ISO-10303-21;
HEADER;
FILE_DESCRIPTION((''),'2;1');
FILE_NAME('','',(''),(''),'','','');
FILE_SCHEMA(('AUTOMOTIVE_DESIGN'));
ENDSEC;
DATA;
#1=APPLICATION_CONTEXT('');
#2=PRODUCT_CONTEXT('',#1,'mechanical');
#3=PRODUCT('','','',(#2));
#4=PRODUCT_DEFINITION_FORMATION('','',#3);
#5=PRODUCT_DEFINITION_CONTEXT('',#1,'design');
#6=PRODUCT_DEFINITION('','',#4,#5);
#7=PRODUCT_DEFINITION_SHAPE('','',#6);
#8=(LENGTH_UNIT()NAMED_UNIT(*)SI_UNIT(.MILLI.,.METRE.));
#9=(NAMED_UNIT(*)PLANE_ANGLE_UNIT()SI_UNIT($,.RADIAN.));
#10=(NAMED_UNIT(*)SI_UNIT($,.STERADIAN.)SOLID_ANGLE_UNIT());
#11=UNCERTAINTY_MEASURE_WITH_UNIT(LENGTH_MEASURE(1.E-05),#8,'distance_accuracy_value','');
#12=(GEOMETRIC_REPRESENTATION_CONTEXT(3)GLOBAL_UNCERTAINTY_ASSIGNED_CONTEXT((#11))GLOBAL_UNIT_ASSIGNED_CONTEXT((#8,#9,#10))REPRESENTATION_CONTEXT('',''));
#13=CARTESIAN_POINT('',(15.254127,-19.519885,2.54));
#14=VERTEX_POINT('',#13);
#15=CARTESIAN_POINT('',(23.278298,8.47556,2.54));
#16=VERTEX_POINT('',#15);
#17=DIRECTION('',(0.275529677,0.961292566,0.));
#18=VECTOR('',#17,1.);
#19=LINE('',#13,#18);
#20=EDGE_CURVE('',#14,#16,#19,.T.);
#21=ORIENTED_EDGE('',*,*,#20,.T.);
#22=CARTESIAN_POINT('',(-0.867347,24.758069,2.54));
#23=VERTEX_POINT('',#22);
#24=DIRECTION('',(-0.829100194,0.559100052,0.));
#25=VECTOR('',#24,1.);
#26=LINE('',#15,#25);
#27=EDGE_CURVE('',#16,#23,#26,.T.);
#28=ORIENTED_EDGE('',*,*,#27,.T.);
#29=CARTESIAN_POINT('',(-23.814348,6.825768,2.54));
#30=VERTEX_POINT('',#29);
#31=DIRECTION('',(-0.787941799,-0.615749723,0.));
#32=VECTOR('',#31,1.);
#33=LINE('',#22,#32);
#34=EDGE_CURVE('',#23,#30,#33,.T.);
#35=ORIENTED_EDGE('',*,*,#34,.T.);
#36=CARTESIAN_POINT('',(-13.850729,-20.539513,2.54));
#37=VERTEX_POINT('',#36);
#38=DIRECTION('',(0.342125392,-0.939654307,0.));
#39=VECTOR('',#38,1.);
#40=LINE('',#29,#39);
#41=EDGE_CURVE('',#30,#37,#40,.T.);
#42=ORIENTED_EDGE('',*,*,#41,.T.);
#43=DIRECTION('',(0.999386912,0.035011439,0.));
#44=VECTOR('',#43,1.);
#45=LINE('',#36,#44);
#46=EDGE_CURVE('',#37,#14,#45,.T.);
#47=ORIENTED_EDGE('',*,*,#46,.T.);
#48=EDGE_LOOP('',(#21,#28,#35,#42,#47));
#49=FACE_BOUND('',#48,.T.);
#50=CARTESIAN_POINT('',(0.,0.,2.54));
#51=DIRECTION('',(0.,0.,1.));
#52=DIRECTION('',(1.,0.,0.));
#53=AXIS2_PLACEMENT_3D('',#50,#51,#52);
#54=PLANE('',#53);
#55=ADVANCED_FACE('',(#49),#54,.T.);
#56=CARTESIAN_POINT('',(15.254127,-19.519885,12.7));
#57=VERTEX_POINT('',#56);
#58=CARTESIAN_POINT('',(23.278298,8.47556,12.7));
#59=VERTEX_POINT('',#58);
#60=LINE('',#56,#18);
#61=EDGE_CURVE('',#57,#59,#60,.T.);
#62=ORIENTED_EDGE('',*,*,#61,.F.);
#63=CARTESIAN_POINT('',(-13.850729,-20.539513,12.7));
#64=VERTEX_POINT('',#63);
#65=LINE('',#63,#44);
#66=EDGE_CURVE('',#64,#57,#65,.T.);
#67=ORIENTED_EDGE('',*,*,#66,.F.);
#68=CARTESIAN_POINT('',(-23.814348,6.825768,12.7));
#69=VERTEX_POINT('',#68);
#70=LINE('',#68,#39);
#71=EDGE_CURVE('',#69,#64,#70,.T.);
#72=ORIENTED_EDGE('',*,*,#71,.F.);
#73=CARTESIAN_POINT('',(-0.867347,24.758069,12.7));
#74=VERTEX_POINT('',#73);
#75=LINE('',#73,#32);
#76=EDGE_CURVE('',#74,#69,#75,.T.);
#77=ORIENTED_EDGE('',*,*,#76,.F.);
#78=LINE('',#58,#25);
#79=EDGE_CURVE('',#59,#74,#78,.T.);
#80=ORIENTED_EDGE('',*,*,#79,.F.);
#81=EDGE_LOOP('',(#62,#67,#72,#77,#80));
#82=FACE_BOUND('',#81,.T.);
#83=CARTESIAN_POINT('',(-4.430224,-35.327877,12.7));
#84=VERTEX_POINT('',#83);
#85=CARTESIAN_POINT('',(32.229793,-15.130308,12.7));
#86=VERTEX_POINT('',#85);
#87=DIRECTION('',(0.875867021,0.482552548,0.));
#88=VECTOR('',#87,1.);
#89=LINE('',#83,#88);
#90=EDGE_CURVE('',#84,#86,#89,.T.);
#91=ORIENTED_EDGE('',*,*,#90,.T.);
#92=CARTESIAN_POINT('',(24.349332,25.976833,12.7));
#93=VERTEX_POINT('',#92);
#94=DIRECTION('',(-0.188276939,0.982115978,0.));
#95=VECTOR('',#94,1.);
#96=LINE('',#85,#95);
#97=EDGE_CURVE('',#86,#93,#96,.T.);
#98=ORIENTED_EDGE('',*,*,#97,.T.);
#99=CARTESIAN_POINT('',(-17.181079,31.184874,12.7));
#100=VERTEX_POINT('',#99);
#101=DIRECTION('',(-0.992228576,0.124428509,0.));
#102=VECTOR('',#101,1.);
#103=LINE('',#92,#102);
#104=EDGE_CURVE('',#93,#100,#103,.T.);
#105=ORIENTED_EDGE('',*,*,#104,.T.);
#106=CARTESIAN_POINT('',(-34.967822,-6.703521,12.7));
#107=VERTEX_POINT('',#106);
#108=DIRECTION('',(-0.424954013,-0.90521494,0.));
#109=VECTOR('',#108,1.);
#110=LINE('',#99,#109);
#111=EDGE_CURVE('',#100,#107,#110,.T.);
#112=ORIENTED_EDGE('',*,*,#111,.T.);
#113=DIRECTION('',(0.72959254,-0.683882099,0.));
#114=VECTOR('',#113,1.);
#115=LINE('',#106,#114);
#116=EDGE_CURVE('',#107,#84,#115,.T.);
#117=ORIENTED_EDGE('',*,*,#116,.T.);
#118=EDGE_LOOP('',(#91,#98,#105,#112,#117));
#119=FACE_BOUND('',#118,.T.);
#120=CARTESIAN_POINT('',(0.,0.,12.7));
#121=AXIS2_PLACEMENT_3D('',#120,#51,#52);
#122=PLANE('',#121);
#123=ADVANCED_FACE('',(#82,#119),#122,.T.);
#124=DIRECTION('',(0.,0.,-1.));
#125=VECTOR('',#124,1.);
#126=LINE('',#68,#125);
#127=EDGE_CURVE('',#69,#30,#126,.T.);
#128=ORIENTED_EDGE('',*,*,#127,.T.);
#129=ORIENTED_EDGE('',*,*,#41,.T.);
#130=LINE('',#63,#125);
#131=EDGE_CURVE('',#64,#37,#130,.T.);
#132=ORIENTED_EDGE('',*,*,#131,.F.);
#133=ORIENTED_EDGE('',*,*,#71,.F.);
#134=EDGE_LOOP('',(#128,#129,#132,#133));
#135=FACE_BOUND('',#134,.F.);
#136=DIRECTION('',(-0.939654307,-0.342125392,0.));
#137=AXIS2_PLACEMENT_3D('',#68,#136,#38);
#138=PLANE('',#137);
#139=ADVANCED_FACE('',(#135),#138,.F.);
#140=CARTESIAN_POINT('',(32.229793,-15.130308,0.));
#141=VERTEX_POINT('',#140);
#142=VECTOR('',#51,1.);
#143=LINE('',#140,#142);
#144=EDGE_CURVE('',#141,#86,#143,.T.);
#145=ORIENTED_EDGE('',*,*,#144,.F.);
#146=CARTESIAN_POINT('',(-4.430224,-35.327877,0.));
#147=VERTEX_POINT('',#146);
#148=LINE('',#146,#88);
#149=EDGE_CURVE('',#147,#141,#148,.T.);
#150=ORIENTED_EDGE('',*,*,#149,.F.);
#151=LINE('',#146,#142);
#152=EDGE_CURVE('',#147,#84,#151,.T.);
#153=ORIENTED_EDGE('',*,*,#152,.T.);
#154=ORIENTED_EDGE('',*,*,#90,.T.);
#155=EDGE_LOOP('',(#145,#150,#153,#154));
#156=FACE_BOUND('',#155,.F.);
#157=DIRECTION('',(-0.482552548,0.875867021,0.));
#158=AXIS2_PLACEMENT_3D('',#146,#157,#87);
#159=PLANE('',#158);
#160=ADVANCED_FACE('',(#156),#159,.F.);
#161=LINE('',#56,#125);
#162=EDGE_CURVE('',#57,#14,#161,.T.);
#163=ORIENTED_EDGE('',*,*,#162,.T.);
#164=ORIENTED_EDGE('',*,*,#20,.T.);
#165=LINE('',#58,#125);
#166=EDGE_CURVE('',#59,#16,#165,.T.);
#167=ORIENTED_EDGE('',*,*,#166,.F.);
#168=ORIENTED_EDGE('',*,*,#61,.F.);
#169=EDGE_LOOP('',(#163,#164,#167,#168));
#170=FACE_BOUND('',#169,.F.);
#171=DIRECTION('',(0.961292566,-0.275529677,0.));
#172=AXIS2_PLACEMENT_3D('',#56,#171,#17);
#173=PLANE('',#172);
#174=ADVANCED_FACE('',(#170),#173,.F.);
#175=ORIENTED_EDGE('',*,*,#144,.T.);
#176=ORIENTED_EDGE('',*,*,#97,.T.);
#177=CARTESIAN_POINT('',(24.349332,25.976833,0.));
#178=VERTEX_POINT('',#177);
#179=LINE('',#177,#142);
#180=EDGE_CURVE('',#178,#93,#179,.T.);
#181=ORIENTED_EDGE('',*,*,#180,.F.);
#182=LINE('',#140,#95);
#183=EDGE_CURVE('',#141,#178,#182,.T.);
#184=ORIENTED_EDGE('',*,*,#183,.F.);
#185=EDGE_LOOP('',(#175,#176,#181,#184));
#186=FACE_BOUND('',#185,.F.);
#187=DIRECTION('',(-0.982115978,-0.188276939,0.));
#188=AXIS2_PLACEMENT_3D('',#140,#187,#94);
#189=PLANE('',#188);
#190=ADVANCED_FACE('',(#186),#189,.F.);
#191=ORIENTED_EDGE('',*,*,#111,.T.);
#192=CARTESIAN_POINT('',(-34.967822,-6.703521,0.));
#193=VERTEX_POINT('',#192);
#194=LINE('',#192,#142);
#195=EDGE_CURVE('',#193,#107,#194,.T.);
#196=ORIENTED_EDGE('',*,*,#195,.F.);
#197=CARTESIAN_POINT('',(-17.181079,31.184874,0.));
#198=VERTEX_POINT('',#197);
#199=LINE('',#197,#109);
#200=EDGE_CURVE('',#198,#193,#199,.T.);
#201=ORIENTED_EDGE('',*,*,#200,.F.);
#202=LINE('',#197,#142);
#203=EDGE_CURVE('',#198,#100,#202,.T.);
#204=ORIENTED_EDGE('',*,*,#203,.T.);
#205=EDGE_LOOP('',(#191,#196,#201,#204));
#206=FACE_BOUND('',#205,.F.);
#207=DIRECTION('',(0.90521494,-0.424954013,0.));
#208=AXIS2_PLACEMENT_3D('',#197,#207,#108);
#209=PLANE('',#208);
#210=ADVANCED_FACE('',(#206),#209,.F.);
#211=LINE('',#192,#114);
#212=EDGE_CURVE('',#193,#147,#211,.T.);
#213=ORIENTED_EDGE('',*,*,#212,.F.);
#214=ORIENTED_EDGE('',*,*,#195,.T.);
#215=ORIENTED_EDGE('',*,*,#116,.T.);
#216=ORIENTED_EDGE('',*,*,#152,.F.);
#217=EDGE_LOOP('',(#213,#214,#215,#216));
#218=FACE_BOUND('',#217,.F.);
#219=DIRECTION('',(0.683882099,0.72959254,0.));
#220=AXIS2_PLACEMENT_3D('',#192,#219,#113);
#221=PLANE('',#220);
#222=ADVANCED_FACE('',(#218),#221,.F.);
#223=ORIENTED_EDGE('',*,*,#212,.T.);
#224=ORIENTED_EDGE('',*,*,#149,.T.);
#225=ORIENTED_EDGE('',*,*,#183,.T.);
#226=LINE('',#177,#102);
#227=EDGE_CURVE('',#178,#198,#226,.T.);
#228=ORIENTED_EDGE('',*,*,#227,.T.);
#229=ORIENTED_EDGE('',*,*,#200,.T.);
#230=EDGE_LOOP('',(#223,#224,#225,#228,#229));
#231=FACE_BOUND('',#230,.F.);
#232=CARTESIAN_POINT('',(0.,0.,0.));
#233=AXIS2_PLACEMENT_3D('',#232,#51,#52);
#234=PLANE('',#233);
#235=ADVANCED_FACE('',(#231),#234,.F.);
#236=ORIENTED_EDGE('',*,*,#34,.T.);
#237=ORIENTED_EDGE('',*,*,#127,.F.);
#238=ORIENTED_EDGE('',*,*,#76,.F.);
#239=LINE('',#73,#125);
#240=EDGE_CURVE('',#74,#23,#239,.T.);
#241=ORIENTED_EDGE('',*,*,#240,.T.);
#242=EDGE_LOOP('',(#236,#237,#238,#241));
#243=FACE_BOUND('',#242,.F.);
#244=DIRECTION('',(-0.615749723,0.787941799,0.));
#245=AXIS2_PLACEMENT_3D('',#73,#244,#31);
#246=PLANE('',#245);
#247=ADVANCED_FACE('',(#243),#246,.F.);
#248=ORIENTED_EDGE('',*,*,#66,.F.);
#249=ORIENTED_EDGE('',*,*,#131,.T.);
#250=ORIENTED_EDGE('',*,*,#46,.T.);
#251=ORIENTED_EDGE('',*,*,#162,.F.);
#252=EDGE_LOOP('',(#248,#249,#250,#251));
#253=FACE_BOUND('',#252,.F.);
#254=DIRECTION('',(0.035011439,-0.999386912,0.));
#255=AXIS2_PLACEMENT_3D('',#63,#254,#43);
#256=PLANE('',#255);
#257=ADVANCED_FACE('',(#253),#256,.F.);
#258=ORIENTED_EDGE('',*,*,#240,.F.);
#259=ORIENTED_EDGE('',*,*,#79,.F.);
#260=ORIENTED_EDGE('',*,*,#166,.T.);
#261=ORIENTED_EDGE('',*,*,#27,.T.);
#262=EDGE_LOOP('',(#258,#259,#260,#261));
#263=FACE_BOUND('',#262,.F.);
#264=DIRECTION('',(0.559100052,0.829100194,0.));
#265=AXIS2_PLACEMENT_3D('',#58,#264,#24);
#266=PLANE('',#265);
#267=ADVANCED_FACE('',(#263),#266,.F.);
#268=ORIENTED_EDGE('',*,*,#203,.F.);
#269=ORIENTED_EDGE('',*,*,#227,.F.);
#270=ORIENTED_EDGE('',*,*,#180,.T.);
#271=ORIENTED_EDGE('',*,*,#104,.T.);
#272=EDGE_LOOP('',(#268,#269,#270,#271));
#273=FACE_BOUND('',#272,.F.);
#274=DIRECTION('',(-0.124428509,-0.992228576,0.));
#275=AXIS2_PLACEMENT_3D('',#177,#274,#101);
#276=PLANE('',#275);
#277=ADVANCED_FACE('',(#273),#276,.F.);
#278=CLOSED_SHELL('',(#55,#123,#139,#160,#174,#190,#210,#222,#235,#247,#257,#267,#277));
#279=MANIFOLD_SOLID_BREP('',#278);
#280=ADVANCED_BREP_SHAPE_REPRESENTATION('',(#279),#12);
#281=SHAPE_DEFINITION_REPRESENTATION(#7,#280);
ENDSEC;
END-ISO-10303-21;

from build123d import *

# Parameters (mm, degrees)
F1_DEPTH = 12.7
F3_DEPTH = 10.16


with BuildPart() as f1:
    # F0 (on Top) → F1 (new body)
    with BuildSketch(Plane.XY):
        Polygon((-4.430224, -35.327877), (32.229793, -15.130308), (24.349332, 25.976833), (-17.181079, 31.184874), (-34.967822, -6.703521), align=None)
    extrude(amount=F1_DEPTH)

    # F2 (on face) → F3 (cut)
    with BuildSketch(Plane.XY.offset(12.7)):
        Polygon((15.254127, -19.519885), (23.278298, 8.47556), (-0.867347, 24.758069), (-23.814348, 6.825768), (-13.850729, -20.539513), align=None)
    extrude(amount=-F3_DEPTH, mode=Mode.SUBTRACT)


solid = f1.part
